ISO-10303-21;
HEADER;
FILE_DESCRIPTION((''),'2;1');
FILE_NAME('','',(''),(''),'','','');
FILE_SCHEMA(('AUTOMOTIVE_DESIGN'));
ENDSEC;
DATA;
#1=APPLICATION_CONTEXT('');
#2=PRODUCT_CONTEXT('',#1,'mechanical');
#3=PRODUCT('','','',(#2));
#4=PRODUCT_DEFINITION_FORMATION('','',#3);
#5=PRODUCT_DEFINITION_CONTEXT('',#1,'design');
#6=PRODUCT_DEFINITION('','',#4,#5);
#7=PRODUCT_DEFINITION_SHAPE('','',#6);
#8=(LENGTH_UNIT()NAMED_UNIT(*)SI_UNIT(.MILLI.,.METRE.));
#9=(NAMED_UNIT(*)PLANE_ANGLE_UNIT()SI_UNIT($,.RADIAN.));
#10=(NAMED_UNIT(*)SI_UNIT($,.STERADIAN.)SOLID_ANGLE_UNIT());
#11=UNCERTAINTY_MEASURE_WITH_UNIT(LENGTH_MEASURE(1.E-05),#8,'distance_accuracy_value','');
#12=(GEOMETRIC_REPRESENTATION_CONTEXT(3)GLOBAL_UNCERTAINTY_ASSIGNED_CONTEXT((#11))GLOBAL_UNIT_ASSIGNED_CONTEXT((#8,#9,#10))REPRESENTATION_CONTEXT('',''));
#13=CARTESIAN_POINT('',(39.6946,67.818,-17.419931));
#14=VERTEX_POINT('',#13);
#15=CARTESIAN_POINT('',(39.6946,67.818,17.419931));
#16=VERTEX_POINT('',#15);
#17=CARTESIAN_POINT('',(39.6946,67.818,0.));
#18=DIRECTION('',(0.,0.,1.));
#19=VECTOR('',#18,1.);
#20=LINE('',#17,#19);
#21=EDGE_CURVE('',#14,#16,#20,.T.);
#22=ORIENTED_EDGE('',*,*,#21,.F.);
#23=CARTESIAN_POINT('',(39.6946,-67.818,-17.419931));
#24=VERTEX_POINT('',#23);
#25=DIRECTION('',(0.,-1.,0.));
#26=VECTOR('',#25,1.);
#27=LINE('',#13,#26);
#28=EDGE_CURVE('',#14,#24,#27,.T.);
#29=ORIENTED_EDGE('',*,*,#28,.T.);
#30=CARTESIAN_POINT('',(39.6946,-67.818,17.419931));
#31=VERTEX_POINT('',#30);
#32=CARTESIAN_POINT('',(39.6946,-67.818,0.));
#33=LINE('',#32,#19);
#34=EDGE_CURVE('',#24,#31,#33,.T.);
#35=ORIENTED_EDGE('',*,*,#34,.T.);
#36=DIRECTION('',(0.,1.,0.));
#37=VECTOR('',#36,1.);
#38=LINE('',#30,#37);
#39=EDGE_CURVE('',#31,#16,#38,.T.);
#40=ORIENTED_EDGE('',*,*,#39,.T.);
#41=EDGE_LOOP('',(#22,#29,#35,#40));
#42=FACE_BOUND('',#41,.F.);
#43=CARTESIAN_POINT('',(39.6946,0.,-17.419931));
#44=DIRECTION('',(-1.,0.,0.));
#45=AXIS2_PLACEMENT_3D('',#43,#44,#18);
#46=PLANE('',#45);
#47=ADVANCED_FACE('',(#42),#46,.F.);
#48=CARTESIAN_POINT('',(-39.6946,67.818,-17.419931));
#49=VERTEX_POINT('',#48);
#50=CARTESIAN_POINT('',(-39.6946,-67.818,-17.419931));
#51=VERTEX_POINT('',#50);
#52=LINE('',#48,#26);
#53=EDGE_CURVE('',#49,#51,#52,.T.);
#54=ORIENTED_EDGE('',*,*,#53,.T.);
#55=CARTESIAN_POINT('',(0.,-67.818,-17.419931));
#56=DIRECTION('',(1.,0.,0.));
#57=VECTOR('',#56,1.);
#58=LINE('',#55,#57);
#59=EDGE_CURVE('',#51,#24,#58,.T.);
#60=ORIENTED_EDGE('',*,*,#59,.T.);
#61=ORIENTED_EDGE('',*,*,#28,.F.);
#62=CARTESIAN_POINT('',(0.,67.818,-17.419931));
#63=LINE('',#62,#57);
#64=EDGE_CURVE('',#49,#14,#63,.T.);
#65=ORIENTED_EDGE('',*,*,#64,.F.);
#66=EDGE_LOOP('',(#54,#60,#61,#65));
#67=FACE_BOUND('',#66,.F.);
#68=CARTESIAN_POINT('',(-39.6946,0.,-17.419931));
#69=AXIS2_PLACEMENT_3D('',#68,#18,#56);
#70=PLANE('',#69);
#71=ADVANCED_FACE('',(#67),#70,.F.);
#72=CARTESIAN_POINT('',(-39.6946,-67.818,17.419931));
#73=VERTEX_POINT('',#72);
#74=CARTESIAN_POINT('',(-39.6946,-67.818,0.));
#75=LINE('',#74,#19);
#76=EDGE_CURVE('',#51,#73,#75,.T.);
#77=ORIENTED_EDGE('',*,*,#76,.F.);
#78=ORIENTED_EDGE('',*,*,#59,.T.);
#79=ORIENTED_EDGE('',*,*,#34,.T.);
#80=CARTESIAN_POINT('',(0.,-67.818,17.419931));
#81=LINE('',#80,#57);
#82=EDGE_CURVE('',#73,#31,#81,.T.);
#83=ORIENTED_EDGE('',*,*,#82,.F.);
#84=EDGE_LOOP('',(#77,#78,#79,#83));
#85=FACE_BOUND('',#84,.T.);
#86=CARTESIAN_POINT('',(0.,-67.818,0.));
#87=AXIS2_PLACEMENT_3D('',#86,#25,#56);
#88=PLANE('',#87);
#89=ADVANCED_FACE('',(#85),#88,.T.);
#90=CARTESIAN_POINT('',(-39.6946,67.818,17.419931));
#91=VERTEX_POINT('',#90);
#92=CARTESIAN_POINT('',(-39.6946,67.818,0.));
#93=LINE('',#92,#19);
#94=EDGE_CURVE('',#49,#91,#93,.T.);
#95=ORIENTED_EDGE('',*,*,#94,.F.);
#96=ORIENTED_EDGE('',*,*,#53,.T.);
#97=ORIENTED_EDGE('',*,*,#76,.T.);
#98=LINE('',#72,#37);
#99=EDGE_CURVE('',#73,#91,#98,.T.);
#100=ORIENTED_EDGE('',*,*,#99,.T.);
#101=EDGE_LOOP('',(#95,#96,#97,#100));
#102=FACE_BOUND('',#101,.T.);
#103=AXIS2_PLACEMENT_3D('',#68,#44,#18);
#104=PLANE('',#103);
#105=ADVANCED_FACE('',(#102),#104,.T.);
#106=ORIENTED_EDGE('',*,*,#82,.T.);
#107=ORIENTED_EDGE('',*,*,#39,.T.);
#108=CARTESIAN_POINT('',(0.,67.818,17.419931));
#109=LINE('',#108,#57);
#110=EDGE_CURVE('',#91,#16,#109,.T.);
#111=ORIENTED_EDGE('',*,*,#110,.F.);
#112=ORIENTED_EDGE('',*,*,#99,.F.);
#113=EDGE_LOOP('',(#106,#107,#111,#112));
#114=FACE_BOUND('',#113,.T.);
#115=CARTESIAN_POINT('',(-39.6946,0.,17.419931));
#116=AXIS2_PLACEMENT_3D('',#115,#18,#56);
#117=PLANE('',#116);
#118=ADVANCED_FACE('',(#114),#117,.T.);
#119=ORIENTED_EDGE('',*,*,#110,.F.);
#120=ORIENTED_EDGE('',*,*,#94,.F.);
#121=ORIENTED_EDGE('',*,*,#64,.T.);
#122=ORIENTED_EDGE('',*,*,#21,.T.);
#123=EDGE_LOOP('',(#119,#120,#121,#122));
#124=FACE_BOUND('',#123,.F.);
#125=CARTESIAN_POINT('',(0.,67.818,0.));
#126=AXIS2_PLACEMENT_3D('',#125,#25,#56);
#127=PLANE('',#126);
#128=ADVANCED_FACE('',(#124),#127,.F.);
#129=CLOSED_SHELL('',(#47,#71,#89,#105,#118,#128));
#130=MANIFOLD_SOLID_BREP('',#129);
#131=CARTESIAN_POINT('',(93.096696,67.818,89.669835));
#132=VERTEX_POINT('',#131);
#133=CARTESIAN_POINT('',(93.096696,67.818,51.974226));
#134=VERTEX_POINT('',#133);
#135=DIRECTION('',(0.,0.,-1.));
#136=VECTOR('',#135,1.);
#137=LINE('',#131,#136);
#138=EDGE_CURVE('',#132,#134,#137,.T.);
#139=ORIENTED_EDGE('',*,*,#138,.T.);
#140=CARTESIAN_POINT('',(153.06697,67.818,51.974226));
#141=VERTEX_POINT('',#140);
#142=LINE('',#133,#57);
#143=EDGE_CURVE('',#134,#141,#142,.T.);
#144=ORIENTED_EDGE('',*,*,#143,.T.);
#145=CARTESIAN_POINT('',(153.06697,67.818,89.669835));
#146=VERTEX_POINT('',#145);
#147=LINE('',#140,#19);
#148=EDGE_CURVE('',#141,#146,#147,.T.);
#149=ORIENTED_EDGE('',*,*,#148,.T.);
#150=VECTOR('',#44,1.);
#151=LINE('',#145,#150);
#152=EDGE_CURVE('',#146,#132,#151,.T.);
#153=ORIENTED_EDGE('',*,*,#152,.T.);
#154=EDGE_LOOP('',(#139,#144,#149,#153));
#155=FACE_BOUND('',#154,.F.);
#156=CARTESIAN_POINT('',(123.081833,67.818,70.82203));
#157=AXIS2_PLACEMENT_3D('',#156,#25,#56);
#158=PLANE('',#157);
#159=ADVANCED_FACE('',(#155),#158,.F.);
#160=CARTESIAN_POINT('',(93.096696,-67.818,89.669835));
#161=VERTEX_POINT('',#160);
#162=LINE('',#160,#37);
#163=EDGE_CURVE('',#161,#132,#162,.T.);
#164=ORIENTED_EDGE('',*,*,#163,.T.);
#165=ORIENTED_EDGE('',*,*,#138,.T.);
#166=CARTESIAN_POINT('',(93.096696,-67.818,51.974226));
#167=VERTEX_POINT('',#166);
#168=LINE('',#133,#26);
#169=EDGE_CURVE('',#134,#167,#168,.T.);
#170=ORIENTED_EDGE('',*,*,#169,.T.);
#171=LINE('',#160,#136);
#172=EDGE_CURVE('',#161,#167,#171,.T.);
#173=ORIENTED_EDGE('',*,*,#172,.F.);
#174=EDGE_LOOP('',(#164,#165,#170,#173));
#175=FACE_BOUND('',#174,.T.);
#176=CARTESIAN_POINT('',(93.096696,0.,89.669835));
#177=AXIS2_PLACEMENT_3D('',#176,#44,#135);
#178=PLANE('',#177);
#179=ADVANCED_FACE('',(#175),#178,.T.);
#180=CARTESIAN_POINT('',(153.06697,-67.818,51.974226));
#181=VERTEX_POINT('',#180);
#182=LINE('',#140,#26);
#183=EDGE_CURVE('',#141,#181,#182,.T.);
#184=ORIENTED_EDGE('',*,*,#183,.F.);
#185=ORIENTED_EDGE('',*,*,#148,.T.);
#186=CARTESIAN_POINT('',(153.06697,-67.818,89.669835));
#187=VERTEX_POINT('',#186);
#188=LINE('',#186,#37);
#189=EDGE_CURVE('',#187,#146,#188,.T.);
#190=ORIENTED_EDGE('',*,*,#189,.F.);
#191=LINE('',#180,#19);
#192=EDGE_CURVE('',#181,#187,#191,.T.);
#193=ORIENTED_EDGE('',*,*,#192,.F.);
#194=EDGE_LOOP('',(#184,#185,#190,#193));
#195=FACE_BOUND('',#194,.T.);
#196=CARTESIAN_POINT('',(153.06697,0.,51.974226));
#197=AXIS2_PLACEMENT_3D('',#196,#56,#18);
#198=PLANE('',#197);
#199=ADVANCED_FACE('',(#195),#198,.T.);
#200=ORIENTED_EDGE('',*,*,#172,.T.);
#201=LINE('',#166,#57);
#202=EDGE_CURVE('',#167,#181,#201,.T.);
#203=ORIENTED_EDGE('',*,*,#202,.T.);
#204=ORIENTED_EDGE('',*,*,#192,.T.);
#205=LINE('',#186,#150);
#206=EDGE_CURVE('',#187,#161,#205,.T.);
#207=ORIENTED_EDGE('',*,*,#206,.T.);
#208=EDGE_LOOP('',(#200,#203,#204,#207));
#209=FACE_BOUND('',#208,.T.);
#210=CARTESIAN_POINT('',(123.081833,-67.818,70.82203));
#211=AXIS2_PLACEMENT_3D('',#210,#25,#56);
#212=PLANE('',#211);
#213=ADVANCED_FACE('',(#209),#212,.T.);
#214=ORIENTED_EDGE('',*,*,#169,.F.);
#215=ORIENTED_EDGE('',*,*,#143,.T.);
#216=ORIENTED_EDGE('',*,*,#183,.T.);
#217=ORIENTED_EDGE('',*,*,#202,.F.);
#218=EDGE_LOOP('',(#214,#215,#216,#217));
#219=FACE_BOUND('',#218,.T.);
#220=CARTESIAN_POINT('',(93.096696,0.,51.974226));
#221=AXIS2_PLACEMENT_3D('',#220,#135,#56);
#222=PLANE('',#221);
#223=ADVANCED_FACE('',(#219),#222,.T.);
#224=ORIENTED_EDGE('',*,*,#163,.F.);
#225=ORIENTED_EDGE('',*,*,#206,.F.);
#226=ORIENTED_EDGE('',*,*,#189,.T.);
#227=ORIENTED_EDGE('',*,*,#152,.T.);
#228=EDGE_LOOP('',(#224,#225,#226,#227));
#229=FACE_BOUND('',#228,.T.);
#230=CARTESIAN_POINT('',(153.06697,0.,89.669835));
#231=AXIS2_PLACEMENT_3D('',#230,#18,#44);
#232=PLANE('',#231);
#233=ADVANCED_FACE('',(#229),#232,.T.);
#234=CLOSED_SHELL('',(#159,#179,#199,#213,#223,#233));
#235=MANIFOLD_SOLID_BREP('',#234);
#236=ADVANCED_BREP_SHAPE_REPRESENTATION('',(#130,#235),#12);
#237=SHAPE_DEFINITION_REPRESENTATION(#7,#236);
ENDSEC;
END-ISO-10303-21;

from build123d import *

# Parameters (mm, degrees)
F0_W     = 79.3892
F0_H     = 34.839862
F1_DEPTH = 67.818


with BuildPart() as f1:
    # F0 (on Front) → F1 (new body, symmetric)
    with BuildSketch(Plane.XZ):
        Rectangle(F0_W, F0_H)
        Polygon((93.096696, 89.669835), (93.096696, 51.974226), (101.378307, 51.974226), (153.06697, 51.974226), (153.06697, 89.669835), align=None)
    extrude(amount=F1_DEPTH, both=True)


solid = f1.part
